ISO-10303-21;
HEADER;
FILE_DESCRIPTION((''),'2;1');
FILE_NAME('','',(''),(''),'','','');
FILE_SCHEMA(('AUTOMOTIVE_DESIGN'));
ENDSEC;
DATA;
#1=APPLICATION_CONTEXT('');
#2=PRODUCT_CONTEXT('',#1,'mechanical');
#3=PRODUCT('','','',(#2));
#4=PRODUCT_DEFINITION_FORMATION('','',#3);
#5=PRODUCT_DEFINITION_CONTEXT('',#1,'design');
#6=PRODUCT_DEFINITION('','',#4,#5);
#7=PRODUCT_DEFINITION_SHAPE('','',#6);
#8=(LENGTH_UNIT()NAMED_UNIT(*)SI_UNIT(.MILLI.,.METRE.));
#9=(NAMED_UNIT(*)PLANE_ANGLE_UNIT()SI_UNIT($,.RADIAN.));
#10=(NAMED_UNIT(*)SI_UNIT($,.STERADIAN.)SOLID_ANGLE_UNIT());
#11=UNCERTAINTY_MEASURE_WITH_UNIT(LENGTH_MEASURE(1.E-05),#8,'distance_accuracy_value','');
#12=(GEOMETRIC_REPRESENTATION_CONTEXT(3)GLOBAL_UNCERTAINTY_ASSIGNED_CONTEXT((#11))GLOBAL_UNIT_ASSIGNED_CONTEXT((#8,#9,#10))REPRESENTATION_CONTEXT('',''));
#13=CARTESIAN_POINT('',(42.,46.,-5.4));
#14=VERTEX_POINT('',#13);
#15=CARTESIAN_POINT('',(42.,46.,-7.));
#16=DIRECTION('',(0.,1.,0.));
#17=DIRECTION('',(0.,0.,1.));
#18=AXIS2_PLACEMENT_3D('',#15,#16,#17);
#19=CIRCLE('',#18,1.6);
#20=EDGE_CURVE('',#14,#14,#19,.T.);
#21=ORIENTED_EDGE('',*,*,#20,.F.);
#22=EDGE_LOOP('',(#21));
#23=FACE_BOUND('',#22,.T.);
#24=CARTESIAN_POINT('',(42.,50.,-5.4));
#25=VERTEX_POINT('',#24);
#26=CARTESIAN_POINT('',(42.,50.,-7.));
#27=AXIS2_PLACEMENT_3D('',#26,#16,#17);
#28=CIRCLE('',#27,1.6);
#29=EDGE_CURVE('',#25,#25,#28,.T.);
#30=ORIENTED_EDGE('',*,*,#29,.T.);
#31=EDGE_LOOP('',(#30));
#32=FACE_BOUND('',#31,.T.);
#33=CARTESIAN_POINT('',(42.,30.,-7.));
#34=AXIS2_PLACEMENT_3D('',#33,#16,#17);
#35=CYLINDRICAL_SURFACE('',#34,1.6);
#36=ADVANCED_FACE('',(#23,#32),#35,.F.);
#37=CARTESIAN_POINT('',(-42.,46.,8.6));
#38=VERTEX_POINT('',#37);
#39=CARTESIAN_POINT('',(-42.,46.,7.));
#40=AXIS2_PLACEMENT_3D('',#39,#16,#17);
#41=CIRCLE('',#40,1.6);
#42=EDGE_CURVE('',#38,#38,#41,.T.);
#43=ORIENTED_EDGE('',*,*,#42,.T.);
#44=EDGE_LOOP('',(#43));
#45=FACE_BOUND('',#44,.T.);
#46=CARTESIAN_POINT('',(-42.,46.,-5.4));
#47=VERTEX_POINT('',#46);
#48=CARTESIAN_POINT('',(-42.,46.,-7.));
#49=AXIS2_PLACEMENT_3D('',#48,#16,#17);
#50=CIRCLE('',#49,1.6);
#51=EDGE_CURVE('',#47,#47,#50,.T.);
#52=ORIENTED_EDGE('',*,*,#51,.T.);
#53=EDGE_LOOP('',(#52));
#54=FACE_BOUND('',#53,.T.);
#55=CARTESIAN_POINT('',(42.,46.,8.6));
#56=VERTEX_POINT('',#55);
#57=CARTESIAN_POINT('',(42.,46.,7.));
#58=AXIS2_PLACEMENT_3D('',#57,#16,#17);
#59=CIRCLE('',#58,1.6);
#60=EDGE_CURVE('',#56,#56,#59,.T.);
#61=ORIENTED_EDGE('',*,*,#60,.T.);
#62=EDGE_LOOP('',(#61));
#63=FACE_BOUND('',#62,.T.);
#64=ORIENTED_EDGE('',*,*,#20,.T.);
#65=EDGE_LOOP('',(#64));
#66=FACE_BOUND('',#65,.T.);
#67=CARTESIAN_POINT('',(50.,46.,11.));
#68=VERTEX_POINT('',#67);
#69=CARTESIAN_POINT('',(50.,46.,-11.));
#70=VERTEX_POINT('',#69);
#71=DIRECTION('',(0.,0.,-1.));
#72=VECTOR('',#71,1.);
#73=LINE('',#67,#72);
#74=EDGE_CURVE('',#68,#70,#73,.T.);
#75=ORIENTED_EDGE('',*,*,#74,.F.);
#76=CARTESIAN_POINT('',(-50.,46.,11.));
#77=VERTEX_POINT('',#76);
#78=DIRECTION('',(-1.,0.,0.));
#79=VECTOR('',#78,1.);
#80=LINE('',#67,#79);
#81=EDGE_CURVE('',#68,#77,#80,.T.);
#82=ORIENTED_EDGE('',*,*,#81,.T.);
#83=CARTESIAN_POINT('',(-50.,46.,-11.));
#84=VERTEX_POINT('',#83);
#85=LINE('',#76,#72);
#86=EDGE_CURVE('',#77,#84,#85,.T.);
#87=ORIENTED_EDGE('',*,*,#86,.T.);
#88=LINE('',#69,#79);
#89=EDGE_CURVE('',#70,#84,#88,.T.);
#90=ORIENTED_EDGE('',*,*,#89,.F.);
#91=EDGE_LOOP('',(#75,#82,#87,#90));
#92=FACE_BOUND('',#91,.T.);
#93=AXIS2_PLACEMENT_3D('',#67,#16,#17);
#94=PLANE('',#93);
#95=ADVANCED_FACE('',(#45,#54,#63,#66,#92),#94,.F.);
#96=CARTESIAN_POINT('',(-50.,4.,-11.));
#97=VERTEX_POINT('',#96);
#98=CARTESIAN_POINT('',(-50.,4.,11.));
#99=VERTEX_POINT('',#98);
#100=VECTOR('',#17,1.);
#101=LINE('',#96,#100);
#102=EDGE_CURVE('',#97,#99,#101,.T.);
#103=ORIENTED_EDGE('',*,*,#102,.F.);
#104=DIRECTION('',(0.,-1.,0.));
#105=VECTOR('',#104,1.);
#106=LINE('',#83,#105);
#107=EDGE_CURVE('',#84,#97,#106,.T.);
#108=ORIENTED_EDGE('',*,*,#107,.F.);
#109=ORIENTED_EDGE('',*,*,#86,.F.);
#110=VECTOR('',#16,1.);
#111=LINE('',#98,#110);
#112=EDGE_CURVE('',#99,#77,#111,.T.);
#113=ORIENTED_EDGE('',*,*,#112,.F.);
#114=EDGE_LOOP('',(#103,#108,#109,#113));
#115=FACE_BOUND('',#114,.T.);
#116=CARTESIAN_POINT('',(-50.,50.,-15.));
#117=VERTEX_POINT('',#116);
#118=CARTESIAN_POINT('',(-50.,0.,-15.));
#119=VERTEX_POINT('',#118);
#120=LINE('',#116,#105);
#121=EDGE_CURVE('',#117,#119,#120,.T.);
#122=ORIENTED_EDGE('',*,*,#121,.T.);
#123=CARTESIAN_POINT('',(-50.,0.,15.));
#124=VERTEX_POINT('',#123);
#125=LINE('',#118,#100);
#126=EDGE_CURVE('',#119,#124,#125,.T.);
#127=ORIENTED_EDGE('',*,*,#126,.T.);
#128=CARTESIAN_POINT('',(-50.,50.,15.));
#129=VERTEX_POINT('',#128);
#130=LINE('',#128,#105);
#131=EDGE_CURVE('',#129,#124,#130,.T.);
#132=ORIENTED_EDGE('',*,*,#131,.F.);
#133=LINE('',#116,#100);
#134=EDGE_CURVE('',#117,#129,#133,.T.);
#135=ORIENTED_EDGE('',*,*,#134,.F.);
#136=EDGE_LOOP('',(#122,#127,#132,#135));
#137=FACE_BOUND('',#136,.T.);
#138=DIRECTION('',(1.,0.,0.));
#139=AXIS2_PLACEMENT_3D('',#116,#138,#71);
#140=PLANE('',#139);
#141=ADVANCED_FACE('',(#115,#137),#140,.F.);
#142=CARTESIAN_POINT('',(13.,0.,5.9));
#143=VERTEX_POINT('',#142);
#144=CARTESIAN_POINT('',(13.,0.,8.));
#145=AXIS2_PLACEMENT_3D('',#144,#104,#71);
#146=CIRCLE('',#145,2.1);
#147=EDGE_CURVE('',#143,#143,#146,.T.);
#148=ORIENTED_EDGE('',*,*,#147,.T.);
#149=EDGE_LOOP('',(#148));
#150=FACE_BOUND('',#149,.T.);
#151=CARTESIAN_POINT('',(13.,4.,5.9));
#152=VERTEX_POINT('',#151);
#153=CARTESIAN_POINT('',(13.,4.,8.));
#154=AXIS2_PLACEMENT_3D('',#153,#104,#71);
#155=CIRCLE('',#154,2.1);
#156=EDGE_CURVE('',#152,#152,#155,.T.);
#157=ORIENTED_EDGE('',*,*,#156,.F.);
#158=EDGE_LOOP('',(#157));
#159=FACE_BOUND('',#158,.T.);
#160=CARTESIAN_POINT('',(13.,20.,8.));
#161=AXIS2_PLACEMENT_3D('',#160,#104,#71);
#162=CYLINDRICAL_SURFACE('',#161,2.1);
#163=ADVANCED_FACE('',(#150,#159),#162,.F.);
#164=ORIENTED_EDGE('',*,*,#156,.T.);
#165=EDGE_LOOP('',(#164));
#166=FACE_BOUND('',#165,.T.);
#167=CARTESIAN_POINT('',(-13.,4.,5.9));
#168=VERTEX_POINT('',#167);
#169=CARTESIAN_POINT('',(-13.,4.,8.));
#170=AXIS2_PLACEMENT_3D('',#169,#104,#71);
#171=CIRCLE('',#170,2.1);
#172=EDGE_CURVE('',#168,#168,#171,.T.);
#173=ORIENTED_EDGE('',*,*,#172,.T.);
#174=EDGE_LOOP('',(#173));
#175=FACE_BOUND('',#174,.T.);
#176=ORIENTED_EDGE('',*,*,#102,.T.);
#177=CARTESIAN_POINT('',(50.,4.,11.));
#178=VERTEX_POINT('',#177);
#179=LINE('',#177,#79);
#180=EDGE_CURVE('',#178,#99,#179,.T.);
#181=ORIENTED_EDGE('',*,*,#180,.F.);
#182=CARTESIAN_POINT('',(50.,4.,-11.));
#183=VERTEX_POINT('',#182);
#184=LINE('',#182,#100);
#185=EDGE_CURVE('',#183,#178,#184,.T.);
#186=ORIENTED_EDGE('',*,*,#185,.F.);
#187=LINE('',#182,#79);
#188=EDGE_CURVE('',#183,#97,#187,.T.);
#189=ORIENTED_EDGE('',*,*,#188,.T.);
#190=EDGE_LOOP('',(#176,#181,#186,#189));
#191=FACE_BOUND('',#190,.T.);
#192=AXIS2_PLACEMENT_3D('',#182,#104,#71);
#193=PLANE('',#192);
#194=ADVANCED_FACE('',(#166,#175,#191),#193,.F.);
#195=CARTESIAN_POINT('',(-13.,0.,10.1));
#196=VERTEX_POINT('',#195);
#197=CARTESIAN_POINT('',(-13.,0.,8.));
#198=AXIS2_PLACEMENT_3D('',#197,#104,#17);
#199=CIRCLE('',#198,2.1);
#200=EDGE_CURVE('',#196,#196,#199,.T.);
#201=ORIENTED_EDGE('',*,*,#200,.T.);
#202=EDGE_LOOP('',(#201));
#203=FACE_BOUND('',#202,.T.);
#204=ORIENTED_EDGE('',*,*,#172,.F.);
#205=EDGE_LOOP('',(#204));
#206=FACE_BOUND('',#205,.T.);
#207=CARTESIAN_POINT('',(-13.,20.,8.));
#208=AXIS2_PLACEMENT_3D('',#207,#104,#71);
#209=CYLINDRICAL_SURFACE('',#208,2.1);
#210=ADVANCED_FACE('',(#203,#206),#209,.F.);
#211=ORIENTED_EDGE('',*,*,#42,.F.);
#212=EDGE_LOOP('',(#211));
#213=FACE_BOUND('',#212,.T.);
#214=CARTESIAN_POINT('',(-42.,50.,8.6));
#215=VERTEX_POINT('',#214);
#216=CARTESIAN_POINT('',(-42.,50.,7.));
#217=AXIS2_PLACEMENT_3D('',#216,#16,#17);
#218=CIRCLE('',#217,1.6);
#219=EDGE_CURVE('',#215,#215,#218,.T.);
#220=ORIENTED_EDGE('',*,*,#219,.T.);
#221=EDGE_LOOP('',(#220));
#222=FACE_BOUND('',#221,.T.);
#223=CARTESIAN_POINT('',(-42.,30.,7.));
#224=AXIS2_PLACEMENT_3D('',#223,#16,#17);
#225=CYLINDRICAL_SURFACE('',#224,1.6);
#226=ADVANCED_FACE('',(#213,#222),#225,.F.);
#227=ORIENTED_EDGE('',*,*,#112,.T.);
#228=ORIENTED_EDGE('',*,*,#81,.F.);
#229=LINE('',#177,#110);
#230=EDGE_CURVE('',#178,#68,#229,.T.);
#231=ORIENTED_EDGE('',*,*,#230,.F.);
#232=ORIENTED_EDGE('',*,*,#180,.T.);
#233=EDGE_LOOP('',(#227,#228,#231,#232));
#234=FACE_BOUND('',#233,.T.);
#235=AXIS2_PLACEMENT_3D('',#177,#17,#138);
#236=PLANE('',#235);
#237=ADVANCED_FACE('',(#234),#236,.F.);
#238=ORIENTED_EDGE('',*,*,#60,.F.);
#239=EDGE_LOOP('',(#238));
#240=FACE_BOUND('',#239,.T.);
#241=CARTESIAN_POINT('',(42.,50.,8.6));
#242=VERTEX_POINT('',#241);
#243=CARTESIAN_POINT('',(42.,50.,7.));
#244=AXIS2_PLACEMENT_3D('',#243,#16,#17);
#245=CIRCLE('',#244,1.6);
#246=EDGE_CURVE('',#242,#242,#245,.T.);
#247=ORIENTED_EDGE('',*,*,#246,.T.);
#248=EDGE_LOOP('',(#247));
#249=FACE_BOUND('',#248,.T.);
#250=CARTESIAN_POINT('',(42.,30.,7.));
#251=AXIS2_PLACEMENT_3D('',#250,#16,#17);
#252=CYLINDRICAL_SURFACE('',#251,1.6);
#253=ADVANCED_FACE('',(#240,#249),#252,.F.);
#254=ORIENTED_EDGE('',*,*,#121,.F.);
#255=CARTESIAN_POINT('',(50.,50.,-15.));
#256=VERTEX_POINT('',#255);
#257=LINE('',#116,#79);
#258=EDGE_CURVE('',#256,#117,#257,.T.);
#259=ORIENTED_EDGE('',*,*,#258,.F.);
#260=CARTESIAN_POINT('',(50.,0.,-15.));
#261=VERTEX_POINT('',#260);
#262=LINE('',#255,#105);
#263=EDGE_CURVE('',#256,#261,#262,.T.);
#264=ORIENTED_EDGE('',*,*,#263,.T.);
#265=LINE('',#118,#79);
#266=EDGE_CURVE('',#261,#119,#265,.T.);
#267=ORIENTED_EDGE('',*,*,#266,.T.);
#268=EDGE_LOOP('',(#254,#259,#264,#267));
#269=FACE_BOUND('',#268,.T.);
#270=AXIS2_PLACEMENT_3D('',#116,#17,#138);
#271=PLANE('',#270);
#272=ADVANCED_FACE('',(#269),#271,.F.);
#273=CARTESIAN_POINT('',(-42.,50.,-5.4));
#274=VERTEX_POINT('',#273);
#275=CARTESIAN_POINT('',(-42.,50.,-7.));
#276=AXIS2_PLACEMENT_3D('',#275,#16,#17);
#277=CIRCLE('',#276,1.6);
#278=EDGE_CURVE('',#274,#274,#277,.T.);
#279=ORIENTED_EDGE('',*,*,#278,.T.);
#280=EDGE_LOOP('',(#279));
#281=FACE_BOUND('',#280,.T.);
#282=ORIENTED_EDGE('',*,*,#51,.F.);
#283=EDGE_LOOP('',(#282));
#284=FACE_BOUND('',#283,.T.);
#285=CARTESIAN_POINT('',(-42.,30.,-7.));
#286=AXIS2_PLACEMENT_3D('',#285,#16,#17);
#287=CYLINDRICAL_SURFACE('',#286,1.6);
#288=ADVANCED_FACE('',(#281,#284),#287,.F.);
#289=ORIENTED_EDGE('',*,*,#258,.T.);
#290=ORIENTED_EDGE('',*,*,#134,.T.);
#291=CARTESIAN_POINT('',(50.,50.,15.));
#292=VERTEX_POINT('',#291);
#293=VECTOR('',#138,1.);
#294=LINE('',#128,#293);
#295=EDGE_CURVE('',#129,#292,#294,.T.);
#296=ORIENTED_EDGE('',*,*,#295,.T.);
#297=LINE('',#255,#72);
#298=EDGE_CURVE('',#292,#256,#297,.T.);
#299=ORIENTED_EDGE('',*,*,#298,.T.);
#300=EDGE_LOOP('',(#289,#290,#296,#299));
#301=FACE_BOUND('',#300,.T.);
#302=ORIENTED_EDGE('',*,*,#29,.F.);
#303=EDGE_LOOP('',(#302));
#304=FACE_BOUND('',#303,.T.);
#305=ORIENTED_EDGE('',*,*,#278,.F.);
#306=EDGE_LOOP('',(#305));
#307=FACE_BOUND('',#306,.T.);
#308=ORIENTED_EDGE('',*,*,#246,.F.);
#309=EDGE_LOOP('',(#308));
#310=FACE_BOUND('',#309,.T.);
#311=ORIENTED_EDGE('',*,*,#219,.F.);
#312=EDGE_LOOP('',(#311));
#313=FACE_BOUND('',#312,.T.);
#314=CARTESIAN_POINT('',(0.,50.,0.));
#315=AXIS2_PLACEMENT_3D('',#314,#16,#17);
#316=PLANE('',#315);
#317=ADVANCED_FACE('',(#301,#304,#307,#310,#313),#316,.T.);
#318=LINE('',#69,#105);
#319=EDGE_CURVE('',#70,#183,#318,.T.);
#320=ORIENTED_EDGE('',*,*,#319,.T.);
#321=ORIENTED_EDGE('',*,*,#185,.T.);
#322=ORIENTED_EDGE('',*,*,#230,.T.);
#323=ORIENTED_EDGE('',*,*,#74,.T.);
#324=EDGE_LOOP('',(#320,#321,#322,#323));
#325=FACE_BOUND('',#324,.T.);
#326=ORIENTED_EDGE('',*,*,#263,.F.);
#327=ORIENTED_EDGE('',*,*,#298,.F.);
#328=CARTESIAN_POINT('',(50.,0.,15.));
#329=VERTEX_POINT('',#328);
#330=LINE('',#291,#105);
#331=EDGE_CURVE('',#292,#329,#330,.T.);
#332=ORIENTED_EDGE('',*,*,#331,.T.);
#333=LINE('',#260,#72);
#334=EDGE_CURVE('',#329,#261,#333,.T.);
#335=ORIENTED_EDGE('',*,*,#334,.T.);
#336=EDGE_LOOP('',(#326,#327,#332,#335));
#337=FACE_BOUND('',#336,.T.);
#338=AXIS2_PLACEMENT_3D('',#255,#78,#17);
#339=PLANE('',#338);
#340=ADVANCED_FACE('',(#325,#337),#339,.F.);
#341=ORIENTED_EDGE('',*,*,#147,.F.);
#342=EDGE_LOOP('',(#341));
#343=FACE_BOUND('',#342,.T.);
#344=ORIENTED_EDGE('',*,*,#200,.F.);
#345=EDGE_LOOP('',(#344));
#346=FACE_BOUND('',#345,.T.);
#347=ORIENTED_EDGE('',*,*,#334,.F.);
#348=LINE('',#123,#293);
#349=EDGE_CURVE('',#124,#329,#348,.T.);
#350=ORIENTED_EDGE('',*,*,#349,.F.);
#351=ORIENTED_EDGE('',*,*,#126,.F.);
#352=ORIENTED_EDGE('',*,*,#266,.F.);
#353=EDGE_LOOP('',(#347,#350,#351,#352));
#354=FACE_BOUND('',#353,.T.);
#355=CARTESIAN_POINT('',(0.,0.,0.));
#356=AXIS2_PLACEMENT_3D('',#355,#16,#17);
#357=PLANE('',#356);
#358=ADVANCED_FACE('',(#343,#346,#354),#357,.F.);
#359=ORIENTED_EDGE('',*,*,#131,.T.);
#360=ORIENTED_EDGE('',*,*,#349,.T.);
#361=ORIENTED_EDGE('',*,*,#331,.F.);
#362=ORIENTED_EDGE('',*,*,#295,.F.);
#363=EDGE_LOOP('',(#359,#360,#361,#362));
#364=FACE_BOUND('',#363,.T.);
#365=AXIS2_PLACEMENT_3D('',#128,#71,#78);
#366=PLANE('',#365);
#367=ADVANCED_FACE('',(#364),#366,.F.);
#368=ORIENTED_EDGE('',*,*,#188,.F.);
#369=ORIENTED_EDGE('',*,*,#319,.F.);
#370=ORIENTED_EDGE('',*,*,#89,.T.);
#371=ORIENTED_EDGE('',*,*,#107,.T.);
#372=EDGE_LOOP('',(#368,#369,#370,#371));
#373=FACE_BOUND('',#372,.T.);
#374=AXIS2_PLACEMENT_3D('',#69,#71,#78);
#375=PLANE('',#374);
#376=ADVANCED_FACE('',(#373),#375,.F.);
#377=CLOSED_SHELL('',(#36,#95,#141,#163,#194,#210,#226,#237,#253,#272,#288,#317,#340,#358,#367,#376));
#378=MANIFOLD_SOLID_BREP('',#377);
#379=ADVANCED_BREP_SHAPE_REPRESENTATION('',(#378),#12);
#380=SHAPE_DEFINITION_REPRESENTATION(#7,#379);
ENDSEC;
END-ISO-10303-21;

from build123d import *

# Parameters (mm, degrees)
SKETCH_1_W          = 100
SKETCH_1_H          = 30
EXTRUDE_1_DEPTH     = 50
SKETCH_2_W          = 22
SKETCH_2_H          = 42
CUT_EXTRUDE_1_DEPTH = 113.805141727
SKETCH_3_R          = 2.1
CUT_EXTRUDE_3_DEPTH = 20
SKETCH_4_R          = 1.6
CUT_EXTRUDE_4_DEPTH = 20


with BuildPart() as part:
    # 草图1 → 凸台-拉伸1 (new body)
    with BuildSketch(Plane(origin=(0, 0, 0), x_dir=(1, 0, 0), z_dir=(0, 1, 0))):
        Rectangle(SKETCH_1_W, SKETCH_1_H)
    extrude(amount=EXTRUDE_1_DEPTH)

    # 草图2 → 切除-拉伸1 (cut, through all)
    with BuildSketch(Plane.ZY.offset(50)):
        with Locations((0, 25)):
            Rectangle(SKETCH_2_W, SKETCH_2_H)
    extrude(amount=-CUT_EXTRUDE_1_DEPTH, mode=Mode.SUBTRACT)

    # 草图3 → 切除-拉伸3 (cut)
    with BuildSketch(Plane.XZ):
        with Locations(Location((13, 8, 0), (0, 0, 270))):
            Circle(SKETCH_3_R)
        with Locations(Location((-13, 8, 0), (0, 0, 270))):
            Circle(SKETCH_3_R)
    extrude(amount=-CUT_EXTRUDE_3_DEPTH, mode=Mode.SUBTRACT)

    # 草图4 → 切除-拉伸4 (cut)
    with BuildSketch(Plane(origin=(0, 50, 0), x_dir=(1, 0, 0), z_dir=(0, 1, 0))):
        with Locations(Location((-42, 7, 0), (0, 0, 270))):
            Circle(SKETCH_4_R)
        with Locations(Location((-42, -7, 0), (0, 0, 270))):
            Circle(SKETCH_4_R)
        with Locations(Location((42, 7, 0), (0, 0, 270))):
            Circle(SKETCH_4_R)
        with Locations(Location((42, -7, 0), (0, 0, 270))):
            Circle(SKETCH_4_R)
    extrude(amount=-CUT_EXTRUDE_4_DEPTH, mode=Mode.SUBTRACT)


solid = part.part
